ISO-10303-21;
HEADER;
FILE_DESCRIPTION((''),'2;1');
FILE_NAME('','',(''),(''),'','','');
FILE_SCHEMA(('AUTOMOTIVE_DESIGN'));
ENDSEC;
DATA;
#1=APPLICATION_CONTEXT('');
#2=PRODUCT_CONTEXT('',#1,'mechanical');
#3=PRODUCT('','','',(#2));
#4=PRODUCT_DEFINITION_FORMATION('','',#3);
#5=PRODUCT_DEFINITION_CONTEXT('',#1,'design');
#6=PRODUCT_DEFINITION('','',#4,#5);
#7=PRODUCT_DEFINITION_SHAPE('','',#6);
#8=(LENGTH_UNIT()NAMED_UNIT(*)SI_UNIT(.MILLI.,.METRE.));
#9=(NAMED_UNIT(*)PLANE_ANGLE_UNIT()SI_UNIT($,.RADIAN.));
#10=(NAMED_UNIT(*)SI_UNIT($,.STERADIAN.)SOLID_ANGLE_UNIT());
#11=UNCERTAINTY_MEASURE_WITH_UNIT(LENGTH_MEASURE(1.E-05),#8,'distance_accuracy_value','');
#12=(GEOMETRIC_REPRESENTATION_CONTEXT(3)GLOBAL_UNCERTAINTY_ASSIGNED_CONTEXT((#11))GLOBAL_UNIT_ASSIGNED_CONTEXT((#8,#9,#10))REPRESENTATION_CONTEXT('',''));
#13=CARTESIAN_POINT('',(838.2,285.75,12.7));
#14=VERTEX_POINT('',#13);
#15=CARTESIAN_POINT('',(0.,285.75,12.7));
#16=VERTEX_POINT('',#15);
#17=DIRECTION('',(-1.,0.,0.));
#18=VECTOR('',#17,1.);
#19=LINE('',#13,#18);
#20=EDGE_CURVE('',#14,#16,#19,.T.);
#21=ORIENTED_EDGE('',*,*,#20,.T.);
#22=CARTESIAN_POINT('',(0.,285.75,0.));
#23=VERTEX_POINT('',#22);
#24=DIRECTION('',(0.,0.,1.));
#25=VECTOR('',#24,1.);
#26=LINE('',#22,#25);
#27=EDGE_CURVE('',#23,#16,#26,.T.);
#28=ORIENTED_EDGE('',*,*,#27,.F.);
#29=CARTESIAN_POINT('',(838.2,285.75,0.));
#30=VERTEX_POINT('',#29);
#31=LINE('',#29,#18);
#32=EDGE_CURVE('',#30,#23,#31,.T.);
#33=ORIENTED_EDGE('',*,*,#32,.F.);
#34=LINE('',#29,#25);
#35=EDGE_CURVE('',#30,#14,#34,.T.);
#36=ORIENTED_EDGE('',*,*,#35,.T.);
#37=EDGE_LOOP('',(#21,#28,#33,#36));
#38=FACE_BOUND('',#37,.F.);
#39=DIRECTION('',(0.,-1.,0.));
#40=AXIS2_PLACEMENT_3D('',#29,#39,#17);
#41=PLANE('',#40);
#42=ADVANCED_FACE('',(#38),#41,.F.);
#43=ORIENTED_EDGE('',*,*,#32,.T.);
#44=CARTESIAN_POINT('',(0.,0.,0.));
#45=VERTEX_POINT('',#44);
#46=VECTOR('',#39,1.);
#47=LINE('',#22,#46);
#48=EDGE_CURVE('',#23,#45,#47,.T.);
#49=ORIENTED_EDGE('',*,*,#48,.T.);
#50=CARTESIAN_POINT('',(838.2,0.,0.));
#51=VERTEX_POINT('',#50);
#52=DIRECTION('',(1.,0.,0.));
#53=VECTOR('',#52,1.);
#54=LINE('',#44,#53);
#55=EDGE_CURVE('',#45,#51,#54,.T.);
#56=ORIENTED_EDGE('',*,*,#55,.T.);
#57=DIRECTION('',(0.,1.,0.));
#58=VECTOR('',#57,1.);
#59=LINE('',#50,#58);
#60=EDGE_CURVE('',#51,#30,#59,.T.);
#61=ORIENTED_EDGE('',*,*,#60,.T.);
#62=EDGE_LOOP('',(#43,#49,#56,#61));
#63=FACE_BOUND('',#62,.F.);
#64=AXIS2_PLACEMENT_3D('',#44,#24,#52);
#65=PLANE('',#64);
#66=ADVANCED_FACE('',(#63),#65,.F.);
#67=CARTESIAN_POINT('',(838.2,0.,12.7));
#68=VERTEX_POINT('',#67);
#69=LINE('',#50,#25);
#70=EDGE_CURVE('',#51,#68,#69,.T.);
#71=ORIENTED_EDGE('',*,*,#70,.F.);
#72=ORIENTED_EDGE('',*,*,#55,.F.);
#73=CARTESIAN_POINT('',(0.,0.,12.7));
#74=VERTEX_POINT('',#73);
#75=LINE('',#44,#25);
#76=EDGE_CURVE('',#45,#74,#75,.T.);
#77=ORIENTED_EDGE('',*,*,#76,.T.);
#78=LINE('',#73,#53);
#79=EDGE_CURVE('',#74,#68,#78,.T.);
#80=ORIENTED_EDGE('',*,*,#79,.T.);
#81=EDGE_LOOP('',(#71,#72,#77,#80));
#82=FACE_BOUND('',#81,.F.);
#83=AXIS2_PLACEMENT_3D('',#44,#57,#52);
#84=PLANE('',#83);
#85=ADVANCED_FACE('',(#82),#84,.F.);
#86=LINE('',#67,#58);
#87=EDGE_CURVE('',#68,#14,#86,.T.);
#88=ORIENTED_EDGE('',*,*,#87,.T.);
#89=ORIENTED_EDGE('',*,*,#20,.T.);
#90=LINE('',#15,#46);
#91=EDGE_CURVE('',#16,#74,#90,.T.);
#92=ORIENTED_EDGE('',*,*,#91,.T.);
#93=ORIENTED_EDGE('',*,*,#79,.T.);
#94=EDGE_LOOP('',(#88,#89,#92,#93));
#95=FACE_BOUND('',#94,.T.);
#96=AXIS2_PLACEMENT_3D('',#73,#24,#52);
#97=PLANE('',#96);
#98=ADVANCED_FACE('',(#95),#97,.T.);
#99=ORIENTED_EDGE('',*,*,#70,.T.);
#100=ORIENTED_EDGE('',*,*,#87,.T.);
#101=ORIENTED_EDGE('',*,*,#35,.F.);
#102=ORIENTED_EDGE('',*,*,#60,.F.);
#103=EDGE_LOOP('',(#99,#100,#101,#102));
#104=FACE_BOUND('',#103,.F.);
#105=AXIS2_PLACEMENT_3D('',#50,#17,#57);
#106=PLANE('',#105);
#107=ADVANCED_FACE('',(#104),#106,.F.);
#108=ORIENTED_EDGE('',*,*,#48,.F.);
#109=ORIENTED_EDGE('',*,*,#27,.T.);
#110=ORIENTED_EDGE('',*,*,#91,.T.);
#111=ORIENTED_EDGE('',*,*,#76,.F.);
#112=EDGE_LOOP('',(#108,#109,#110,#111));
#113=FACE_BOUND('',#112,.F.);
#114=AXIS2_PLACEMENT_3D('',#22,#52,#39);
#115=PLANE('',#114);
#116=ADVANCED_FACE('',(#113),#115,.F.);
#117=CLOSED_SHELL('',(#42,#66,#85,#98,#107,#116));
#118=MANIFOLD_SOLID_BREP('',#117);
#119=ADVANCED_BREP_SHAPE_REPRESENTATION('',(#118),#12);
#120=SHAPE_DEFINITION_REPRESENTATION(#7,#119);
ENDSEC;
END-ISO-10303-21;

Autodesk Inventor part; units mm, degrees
ref_plane "YZ Plane" through (0, 0, 0) normal (1, 0, 0) x (0, 1, 0)
ref_plane "XZ Plane" through (0, 0, 0) normal (0, 1, 0) x (-1, 0, 0)
ref_plane "XY Plane" through (0, 0, 0) normal (0, 0, 1) x (1, 0, 0)
sketch "Sketch1" plane through (0, 0, 0) normal (0, 0, 1) x (1, 0, 0)
  line L0 (0, 0) -> (838.2, 0)
  line L1 (838.2, 0) -> (838.2, 285.75)
  line L2 (838.2, 285.75) -> (0, 285.75)
  line L3 (0, 285.75) -> (0, 0)
  dimension "d0" = 838.2
  dimension "d1" = 285.75
extrude "Extrusion1" add sketch "Sketch1" along normal blind 12.7
properties part number "Wind Tunnel Settling Chamber Top+Bottom" material "Wood (Oak)"
